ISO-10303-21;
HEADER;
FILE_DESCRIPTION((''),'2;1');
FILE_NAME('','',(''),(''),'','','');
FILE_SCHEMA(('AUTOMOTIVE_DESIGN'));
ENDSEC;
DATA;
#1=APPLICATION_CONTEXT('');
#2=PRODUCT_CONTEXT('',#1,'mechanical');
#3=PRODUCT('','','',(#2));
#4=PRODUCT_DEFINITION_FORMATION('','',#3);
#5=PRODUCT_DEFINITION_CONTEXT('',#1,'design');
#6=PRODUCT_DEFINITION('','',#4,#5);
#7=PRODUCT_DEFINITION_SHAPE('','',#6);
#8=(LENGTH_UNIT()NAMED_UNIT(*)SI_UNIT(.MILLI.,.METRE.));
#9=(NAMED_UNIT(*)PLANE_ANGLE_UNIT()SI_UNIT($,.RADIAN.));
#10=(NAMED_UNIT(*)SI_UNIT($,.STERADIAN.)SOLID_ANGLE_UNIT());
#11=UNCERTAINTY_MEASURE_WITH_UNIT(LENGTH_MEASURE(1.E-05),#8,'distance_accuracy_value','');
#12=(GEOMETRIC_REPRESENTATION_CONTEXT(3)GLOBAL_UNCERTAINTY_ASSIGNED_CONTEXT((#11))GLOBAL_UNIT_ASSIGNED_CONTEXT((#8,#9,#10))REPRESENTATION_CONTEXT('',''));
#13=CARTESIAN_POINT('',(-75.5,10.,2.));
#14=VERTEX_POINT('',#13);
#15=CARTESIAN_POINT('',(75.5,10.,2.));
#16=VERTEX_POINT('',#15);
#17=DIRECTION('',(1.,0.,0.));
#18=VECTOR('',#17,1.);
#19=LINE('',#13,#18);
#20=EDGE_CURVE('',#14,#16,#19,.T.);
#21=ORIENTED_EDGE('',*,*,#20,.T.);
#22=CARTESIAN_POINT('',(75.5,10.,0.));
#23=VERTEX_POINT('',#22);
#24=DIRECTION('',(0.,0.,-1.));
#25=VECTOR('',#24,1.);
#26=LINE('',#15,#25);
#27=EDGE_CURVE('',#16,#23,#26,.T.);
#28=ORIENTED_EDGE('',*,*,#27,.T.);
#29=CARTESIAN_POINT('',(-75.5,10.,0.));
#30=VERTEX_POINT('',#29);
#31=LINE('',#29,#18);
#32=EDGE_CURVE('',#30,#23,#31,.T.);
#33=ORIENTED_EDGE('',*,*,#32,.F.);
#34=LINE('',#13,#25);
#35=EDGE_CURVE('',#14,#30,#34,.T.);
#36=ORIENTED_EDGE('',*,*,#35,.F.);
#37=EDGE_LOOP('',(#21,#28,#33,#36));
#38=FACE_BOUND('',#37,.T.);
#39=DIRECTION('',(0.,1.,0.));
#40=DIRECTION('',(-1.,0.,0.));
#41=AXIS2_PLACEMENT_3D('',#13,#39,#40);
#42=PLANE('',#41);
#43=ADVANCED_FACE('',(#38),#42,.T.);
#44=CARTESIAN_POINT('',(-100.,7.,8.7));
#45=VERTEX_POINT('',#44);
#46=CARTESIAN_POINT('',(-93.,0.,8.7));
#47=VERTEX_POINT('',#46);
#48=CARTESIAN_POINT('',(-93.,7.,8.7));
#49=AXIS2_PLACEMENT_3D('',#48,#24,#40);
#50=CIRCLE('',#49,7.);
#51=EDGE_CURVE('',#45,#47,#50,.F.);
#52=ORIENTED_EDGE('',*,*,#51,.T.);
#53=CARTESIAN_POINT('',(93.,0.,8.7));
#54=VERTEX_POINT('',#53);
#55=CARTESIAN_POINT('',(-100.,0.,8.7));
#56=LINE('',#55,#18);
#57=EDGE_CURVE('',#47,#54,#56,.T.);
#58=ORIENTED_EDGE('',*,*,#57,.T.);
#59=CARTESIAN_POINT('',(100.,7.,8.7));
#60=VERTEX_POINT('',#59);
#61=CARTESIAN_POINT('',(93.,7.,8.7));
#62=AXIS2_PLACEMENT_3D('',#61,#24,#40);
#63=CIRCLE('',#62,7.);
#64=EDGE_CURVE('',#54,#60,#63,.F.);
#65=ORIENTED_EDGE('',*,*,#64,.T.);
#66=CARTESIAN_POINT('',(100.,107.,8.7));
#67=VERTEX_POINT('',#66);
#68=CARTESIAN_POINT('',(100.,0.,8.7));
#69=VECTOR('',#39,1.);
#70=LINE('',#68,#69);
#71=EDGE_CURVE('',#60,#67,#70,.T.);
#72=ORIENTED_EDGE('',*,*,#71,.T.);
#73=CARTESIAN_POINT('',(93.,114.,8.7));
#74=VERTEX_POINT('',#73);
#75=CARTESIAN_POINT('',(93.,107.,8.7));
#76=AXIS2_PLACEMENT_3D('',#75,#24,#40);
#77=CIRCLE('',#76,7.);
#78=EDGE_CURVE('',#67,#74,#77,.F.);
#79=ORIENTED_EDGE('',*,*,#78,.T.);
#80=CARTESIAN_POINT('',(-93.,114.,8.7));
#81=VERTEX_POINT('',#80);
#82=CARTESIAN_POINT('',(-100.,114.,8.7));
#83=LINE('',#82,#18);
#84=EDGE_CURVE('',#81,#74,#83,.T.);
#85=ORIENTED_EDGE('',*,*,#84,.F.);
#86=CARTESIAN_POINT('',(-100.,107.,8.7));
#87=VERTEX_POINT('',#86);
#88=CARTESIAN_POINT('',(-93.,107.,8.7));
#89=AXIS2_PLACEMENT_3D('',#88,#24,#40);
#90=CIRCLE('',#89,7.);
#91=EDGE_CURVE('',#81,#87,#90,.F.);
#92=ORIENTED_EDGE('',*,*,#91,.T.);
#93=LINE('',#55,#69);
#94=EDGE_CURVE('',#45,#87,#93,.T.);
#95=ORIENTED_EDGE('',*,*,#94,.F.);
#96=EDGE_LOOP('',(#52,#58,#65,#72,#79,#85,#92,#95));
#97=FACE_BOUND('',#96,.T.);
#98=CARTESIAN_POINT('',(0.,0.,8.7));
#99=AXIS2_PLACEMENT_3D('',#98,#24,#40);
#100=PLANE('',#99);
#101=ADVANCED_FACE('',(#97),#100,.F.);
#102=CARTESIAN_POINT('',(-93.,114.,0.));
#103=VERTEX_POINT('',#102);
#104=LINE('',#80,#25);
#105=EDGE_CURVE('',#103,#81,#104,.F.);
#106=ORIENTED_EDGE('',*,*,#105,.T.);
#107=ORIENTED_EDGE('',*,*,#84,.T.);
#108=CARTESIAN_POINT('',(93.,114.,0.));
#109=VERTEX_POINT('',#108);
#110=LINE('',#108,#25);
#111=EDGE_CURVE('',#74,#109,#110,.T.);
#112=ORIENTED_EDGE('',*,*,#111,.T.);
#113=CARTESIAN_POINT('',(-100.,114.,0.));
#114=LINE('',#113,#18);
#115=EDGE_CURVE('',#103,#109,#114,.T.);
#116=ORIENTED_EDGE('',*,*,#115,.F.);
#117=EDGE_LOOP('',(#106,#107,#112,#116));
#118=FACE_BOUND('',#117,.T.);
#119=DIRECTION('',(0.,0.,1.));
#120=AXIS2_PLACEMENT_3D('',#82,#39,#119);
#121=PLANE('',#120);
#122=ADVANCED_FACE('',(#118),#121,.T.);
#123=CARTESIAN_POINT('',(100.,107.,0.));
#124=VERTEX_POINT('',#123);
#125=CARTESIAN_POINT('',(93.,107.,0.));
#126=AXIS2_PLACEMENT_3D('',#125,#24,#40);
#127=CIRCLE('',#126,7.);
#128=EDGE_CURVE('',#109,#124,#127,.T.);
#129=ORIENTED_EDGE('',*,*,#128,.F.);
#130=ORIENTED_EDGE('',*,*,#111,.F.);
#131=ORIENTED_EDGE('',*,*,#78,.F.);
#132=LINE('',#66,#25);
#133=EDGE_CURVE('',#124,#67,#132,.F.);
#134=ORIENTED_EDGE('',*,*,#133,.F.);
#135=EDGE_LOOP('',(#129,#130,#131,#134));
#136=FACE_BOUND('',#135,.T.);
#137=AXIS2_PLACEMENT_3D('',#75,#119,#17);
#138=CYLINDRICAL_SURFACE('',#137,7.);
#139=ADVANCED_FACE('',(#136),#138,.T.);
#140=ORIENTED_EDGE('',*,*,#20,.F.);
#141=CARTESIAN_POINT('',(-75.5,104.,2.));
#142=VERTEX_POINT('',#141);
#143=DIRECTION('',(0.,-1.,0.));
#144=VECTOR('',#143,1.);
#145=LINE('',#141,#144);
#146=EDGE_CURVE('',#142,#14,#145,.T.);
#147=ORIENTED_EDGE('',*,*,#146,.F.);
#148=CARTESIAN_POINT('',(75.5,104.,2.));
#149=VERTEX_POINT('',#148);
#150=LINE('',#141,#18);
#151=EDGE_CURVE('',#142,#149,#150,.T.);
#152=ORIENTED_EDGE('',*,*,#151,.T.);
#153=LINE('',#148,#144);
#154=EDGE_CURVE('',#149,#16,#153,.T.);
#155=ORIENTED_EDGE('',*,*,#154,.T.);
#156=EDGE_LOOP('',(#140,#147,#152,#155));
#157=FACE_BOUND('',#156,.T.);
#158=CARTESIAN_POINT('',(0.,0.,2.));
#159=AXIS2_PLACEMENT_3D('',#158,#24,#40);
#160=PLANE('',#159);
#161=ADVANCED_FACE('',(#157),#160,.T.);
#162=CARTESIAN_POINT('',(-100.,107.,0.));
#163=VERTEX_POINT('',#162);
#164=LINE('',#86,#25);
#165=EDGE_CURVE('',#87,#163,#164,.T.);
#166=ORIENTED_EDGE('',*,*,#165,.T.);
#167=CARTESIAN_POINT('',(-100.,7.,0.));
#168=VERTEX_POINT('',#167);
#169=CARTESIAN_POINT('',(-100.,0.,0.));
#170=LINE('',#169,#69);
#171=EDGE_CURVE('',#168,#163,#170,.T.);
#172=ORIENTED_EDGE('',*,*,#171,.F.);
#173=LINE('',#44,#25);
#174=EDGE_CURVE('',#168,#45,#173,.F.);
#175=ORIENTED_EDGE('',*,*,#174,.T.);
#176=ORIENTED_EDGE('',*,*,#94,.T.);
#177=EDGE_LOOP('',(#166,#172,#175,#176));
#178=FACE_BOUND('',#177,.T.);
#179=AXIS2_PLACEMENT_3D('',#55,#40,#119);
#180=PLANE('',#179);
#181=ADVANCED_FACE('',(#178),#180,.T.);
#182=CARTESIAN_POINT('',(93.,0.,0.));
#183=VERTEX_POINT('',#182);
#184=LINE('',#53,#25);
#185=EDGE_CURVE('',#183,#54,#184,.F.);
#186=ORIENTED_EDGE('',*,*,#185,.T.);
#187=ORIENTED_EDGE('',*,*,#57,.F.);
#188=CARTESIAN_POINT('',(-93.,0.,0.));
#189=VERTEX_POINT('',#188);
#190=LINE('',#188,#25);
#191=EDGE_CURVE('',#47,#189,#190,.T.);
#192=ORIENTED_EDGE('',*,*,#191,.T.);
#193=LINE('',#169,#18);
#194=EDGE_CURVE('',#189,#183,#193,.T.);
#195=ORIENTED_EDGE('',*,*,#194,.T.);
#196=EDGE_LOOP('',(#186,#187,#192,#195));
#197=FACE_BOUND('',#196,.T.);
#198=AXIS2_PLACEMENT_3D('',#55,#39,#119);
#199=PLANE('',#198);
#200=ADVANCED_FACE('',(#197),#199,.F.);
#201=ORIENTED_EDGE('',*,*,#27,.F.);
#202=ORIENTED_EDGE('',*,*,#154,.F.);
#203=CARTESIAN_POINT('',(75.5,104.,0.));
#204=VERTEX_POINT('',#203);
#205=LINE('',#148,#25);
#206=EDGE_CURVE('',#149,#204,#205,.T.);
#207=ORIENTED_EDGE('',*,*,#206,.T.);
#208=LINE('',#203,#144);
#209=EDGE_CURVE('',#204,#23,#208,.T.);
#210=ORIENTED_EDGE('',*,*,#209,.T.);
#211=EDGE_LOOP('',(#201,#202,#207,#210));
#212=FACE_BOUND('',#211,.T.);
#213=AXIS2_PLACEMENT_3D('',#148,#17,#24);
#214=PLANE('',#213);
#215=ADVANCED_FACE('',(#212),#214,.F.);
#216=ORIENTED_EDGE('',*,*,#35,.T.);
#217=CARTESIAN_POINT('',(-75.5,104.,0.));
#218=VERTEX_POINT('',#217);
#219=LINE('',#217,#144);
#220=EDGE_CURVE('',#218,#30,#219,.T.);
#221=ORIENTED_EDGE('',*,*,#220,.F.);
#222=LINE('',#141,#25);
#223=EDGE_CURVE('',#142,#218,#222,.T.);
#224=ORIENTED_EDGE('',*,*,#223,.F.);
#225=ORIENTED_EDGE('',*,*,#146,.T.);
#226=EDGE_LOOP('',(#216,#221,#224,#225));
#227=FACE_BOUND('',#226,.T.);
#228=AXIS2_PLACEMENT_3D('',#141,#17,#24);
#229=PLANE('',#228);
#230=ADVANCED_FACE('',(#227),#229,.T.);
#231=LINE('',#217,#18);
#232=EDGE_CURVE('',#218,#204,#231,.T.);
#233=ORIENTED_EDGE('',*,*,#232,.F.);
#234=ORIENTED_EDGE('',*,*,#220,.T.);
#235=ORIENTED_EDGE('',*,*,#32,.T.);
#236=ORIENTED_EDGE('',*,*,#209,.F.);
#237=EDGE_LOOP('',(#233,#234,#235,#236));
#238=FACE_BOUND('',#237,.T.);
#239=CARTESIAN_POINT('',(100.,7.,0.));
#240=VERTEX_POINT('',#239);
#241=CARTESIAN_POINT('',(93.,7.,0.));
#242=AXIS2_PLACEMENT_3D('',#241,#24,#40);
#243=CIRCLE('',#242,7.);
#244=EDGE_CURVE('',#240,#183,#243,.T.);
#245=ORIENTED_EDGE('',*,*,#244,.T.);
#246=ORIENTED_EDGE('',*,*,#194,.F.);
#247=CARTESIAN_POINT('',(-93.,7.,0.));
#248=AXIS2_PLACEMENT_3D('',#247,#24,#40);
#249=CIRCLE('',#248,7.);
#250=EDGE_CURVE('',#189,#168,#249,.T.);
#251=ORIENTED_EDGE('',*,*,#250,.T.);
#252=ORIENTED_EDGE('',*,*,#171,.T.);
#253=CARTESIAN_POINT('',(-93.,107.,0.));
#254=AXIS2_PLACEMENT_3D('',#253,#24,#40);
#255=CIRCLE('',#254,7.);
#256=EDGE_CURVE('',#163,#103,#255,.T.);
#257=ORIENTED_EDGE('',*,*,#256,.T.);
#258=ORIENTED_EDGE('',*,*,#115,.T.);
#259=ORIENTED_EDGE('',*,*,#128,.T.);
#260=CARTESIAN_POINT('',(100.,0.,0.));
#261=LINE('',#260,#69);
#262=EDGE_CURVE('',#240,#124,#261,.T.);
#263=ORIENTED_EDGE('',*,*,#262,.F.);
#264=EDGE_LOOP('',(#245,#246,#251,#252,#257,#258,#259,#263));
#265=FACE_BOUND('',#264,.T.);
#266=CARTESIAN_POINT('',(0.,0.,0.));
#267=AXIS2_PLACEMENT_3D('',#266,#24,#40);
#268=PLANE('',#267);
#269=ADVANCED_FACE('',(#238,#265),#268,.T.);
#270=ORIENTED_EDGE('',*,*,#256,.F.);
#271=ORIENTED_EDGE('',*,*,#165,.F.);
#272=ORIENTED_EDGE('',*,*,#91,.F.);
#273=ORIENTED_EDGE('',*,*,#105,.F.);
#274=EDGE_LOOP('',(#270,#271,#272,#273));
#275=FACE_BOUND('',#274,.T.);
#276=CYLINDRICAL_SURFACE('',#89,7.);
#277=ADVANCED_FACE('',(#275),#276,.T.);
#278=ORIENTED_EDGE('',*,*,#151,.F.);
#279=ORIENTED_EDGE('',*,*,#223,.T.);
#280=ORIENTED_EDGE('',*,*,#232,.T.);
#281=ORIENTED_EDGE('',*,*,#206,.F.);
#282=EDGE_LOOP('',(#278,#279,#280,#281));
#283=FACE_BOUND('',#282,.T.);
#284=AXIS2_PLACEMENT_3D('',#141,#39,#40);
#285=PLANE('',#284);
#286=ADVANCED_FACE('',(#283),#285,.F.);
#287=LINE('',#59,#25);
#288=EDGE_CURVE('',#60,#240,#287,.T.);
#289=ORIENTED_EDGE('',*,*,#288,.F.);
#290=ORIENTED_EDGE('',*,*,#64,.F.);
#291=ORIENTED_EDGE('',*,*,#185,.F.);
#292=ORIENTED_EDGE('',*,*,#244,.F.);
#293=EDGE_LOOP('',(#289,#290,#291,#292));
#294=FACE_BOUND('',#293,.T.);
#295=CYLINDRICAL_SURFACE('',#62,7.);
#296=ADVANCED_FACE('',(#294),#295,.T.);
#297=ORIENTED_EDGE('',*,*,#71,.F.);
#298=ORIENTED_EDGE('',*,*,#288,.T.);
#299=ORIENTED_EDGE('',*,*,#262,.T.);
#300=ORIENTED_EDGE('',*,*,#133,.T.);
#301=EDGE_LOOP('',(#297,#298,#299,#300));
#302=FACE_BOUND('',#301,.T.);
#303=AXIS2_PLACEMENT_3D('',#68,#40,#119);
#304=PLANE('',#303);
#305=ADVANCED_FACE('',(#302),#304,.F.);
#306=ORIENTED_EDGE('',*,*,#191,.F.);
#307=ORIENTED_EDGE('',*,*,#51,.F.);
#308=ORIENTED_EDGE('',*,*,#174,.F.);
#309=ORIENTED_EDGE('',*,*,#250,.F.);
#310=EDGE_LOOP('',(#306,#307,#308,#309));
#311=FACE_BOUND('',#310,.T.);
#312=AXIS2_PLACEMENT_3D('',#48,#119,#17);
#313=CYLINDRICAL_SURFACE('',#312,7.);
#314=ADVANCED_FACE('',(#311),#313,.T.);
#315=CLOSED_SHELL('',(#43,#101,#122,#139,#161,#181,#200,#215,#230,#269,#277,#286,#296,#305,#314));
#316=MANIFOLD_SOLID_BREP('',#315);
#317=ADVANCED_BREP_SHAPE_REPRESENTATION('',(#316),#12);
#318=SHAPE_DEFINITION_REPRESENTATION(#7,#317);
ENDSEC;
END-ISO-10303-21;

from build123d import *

# Parameters (mm, degrees)
SKETCH1_W           = 200
SKETCH1_H           = 114
BOSS_EXTRUDE1_DEPTH = 8.7
SKETCH1_3_W         = 151
SKETCH1_3_H         = 94
CUT_EXTRUDE1_DEPTH  = 2
FILLET1_R           = 7


with BuildPart() as part:
    # Sketch1 → Boss-Extrude1 (new body)
    with BuildSketch(Plane.XY):
        with Locations((0, 57)):
            Rectangle(SKETCH1_W, SKETCH1_H)
    extrude(amount=BOSS_EXTRUDE1_DEPTH)

    # Sketch1<3> → Cut-Extrude1 (cut)
    with BuildSketch(Plane.XY):
        with Locations((0, 57)):
            Rectangle(SKETCH1_3_W, SKETCH1_3_H)
    extrude(amount=CUT_EXTRUDE1_DEPTH, mode=Mode.SUBTRACT)

    # Fillet1
    fillet1_edges = [part.edges().sort_by_distance(p)[0] for p in [
        (-100, 0, 4.35),
        (100, 0, 4.35),
        (100, 114, 4.35),
        (-100, 114, 4.35),
    ]]
    fillet(fillet1_edges, radius=FILLET1_R)


solid = part.part
